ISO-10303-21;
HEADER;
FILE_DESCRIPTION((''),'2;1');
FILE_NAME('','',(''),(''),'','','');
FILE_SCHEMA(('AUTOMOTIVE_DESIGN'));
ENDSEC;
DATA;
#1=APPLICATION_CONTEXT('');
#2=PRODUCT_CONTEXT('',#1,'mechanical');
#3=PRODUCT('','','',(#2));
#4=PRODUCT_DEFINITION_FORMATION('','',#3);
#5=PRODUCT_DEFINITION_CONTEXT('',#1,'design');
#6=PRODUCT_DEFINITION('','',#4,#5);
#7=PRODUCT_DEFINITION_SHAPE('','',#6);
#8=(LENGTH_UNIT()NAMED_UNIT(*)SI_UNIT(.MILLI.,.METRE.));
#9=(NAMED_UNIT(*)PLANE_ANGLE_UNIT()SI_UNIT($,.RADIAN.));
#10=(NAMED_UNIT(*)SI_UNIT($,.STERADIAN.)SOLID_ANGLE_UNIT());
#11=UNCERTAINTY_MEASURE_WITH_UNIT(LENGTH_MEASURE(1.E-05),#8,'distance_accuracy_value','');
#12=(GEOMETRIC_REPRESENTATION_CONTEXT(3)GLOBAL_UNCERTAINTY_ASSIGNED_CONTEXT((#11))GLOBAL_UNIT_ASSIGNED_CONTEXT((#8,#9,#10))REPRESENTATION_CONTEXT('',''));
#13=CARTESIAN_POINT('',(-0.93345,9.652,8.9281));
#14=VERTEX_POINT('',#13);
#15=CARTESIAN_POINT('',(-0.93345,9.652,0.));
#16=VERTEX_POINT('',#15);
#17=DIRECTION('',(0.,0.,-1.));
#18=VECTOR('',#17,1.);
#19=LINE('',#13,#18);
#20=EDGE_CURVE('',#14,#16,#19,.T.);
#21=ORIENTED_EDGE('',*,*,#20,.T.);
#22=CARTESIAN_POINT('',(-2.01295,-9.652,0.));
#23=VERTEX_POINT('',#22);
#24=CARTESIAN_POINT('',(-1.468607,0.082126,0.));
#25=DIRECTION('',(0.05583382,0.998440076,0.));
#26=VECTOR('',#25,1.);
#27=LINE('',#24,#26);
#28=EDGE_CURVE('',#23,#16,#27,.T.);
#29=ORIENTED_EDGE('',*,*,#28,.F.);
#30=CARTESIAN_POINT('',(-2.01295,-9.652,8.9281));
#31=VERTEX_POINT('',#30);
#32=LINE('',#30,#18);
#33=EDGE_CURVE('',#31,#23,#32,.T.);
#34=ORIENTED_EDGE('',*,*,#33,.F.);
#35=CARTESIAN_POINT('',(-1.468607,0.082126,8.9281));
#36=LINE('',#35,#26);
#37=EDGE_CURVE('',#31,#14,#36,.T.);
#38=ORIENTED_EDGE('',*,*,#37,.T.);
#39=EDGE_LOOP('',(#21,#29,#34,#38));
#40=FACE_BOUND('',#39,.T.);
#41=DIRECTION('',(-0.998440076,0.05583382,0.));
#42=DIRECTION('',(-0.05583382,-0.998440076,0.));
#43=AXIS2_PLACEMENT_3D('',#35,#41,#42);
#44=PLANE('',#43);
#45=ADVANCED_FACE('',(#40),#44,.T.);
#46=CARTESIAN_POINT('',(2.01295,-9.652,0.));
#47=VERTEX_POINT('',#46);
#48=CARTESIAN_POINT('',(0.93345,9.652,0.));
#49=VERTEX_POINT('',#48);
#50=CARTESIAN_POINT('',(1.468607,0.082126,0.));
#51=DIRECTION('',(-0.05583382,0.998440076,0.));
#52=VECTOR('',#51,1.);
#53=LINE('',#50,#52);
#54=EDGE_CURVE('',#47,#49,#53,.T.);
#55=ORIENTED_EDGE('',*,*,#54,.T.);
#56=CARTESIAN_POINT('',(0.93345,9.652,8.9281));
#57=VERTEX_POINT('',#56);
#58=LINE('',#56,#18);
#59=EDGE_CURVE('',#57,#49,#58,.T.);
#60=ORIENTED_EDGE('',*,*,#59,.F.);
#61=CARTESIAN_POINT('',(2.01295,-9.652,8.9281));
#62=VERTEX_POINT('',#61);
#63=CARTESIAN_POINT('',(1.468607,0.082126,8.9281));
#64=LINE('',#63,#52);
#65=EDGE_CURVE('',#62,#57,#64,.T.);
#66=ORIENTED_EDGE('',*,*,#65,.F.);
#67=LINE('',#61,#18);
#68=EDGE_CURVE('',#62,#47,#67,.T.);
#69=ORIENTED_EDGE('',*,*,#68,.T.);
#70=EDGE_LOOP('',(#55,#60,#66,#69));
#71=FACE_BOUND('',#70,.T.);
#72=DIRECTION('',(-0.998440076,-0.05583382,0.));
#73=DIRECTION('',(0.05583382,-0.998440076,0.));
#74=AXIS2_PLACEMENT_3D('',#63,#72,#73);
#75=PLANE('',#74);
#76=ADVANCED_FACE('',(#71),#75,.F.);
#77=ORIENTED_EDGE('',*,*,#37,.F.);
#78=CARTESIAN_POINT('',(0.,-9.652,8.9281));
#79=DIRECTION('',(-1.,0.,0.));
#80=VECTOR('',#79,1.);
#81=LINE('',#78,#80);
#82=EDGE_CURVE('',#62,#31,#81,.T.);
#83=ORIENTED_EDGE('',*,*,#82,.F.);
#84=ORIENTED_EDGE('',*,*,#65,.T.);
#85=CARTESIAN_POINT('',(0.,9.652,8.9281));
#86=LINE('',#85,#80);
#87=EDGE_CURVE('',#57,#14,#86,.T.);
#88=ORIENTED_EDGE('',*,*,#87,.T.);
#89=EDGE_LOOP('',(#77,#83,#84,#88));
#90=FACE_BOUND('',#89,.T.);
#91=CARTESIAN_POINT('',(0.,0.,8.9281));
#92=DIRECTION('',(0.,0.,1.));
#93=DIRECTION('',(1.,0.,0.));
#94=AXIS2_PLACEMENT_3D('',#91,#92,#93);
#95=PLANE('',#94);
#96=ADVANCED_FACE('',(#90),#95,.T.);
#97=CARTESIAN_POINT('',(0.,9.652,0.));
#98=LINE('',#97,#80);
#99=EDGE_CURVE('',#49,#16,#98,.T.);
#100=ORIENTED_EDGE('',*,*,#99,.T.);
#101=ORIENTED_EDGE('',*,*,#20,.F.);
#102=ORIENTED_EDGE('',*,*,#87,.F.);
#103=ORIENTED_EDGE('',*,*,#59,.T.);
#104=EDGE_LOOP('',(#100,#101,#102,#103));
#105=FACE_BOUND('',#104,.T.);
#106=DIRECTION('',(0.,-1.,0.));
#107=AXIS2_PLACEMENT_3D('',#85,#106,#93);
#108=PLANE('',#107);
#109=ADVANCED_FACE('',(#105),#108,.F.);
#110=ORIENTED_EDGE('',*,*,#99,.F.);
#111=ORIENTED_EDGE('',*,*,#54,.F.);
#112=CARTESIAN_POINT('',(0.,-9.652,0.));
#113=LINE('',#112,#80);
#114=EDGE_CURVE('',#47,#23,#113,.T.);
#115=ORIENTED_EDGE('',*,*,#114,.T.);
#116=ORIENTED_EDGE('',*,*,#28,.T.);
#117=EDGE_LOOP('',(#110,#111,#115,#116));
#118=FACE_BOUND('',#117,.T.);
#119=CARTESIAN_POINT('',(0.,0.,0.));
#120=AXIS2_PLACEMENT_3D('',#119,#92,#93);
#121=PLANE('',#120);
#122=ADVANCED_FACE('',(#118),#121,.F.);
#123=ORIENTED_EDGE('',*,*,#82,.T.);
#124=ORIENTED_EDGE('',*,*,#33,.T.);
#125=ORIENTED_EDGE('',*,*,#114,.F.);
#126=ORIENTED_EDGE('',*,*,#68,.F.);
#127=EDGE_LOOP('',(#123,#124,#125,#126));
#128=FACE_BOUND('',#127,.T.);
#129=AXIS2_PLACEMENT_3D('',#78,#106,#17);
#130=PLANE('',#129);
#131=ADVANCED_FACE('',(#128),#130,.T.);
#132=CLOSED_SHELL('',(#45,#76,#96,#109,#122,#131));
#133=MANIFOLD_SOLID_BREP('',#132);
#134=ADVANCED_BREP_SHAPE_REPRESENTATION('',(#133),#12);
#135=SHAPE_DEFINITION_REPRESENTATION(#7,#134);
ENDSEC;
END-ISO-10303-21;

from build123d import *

# Parameters (mm, degrees)
BOSS_EXTRUDE1_DEPTH = 8.9281


with BuildPart() as part:
    # Sketch1 → Boss-Extrude1 (new body)
    with BuildSketch(Plane.XY):
        Polygon((-0.93345, 9.652), (-2.01295, -9.652), (2.01295, -9.652), (0.93345, 9.652), align=None)
    extrude(amount=BOSS_EXTRUDE1_DEPTH)


solid = part.part
